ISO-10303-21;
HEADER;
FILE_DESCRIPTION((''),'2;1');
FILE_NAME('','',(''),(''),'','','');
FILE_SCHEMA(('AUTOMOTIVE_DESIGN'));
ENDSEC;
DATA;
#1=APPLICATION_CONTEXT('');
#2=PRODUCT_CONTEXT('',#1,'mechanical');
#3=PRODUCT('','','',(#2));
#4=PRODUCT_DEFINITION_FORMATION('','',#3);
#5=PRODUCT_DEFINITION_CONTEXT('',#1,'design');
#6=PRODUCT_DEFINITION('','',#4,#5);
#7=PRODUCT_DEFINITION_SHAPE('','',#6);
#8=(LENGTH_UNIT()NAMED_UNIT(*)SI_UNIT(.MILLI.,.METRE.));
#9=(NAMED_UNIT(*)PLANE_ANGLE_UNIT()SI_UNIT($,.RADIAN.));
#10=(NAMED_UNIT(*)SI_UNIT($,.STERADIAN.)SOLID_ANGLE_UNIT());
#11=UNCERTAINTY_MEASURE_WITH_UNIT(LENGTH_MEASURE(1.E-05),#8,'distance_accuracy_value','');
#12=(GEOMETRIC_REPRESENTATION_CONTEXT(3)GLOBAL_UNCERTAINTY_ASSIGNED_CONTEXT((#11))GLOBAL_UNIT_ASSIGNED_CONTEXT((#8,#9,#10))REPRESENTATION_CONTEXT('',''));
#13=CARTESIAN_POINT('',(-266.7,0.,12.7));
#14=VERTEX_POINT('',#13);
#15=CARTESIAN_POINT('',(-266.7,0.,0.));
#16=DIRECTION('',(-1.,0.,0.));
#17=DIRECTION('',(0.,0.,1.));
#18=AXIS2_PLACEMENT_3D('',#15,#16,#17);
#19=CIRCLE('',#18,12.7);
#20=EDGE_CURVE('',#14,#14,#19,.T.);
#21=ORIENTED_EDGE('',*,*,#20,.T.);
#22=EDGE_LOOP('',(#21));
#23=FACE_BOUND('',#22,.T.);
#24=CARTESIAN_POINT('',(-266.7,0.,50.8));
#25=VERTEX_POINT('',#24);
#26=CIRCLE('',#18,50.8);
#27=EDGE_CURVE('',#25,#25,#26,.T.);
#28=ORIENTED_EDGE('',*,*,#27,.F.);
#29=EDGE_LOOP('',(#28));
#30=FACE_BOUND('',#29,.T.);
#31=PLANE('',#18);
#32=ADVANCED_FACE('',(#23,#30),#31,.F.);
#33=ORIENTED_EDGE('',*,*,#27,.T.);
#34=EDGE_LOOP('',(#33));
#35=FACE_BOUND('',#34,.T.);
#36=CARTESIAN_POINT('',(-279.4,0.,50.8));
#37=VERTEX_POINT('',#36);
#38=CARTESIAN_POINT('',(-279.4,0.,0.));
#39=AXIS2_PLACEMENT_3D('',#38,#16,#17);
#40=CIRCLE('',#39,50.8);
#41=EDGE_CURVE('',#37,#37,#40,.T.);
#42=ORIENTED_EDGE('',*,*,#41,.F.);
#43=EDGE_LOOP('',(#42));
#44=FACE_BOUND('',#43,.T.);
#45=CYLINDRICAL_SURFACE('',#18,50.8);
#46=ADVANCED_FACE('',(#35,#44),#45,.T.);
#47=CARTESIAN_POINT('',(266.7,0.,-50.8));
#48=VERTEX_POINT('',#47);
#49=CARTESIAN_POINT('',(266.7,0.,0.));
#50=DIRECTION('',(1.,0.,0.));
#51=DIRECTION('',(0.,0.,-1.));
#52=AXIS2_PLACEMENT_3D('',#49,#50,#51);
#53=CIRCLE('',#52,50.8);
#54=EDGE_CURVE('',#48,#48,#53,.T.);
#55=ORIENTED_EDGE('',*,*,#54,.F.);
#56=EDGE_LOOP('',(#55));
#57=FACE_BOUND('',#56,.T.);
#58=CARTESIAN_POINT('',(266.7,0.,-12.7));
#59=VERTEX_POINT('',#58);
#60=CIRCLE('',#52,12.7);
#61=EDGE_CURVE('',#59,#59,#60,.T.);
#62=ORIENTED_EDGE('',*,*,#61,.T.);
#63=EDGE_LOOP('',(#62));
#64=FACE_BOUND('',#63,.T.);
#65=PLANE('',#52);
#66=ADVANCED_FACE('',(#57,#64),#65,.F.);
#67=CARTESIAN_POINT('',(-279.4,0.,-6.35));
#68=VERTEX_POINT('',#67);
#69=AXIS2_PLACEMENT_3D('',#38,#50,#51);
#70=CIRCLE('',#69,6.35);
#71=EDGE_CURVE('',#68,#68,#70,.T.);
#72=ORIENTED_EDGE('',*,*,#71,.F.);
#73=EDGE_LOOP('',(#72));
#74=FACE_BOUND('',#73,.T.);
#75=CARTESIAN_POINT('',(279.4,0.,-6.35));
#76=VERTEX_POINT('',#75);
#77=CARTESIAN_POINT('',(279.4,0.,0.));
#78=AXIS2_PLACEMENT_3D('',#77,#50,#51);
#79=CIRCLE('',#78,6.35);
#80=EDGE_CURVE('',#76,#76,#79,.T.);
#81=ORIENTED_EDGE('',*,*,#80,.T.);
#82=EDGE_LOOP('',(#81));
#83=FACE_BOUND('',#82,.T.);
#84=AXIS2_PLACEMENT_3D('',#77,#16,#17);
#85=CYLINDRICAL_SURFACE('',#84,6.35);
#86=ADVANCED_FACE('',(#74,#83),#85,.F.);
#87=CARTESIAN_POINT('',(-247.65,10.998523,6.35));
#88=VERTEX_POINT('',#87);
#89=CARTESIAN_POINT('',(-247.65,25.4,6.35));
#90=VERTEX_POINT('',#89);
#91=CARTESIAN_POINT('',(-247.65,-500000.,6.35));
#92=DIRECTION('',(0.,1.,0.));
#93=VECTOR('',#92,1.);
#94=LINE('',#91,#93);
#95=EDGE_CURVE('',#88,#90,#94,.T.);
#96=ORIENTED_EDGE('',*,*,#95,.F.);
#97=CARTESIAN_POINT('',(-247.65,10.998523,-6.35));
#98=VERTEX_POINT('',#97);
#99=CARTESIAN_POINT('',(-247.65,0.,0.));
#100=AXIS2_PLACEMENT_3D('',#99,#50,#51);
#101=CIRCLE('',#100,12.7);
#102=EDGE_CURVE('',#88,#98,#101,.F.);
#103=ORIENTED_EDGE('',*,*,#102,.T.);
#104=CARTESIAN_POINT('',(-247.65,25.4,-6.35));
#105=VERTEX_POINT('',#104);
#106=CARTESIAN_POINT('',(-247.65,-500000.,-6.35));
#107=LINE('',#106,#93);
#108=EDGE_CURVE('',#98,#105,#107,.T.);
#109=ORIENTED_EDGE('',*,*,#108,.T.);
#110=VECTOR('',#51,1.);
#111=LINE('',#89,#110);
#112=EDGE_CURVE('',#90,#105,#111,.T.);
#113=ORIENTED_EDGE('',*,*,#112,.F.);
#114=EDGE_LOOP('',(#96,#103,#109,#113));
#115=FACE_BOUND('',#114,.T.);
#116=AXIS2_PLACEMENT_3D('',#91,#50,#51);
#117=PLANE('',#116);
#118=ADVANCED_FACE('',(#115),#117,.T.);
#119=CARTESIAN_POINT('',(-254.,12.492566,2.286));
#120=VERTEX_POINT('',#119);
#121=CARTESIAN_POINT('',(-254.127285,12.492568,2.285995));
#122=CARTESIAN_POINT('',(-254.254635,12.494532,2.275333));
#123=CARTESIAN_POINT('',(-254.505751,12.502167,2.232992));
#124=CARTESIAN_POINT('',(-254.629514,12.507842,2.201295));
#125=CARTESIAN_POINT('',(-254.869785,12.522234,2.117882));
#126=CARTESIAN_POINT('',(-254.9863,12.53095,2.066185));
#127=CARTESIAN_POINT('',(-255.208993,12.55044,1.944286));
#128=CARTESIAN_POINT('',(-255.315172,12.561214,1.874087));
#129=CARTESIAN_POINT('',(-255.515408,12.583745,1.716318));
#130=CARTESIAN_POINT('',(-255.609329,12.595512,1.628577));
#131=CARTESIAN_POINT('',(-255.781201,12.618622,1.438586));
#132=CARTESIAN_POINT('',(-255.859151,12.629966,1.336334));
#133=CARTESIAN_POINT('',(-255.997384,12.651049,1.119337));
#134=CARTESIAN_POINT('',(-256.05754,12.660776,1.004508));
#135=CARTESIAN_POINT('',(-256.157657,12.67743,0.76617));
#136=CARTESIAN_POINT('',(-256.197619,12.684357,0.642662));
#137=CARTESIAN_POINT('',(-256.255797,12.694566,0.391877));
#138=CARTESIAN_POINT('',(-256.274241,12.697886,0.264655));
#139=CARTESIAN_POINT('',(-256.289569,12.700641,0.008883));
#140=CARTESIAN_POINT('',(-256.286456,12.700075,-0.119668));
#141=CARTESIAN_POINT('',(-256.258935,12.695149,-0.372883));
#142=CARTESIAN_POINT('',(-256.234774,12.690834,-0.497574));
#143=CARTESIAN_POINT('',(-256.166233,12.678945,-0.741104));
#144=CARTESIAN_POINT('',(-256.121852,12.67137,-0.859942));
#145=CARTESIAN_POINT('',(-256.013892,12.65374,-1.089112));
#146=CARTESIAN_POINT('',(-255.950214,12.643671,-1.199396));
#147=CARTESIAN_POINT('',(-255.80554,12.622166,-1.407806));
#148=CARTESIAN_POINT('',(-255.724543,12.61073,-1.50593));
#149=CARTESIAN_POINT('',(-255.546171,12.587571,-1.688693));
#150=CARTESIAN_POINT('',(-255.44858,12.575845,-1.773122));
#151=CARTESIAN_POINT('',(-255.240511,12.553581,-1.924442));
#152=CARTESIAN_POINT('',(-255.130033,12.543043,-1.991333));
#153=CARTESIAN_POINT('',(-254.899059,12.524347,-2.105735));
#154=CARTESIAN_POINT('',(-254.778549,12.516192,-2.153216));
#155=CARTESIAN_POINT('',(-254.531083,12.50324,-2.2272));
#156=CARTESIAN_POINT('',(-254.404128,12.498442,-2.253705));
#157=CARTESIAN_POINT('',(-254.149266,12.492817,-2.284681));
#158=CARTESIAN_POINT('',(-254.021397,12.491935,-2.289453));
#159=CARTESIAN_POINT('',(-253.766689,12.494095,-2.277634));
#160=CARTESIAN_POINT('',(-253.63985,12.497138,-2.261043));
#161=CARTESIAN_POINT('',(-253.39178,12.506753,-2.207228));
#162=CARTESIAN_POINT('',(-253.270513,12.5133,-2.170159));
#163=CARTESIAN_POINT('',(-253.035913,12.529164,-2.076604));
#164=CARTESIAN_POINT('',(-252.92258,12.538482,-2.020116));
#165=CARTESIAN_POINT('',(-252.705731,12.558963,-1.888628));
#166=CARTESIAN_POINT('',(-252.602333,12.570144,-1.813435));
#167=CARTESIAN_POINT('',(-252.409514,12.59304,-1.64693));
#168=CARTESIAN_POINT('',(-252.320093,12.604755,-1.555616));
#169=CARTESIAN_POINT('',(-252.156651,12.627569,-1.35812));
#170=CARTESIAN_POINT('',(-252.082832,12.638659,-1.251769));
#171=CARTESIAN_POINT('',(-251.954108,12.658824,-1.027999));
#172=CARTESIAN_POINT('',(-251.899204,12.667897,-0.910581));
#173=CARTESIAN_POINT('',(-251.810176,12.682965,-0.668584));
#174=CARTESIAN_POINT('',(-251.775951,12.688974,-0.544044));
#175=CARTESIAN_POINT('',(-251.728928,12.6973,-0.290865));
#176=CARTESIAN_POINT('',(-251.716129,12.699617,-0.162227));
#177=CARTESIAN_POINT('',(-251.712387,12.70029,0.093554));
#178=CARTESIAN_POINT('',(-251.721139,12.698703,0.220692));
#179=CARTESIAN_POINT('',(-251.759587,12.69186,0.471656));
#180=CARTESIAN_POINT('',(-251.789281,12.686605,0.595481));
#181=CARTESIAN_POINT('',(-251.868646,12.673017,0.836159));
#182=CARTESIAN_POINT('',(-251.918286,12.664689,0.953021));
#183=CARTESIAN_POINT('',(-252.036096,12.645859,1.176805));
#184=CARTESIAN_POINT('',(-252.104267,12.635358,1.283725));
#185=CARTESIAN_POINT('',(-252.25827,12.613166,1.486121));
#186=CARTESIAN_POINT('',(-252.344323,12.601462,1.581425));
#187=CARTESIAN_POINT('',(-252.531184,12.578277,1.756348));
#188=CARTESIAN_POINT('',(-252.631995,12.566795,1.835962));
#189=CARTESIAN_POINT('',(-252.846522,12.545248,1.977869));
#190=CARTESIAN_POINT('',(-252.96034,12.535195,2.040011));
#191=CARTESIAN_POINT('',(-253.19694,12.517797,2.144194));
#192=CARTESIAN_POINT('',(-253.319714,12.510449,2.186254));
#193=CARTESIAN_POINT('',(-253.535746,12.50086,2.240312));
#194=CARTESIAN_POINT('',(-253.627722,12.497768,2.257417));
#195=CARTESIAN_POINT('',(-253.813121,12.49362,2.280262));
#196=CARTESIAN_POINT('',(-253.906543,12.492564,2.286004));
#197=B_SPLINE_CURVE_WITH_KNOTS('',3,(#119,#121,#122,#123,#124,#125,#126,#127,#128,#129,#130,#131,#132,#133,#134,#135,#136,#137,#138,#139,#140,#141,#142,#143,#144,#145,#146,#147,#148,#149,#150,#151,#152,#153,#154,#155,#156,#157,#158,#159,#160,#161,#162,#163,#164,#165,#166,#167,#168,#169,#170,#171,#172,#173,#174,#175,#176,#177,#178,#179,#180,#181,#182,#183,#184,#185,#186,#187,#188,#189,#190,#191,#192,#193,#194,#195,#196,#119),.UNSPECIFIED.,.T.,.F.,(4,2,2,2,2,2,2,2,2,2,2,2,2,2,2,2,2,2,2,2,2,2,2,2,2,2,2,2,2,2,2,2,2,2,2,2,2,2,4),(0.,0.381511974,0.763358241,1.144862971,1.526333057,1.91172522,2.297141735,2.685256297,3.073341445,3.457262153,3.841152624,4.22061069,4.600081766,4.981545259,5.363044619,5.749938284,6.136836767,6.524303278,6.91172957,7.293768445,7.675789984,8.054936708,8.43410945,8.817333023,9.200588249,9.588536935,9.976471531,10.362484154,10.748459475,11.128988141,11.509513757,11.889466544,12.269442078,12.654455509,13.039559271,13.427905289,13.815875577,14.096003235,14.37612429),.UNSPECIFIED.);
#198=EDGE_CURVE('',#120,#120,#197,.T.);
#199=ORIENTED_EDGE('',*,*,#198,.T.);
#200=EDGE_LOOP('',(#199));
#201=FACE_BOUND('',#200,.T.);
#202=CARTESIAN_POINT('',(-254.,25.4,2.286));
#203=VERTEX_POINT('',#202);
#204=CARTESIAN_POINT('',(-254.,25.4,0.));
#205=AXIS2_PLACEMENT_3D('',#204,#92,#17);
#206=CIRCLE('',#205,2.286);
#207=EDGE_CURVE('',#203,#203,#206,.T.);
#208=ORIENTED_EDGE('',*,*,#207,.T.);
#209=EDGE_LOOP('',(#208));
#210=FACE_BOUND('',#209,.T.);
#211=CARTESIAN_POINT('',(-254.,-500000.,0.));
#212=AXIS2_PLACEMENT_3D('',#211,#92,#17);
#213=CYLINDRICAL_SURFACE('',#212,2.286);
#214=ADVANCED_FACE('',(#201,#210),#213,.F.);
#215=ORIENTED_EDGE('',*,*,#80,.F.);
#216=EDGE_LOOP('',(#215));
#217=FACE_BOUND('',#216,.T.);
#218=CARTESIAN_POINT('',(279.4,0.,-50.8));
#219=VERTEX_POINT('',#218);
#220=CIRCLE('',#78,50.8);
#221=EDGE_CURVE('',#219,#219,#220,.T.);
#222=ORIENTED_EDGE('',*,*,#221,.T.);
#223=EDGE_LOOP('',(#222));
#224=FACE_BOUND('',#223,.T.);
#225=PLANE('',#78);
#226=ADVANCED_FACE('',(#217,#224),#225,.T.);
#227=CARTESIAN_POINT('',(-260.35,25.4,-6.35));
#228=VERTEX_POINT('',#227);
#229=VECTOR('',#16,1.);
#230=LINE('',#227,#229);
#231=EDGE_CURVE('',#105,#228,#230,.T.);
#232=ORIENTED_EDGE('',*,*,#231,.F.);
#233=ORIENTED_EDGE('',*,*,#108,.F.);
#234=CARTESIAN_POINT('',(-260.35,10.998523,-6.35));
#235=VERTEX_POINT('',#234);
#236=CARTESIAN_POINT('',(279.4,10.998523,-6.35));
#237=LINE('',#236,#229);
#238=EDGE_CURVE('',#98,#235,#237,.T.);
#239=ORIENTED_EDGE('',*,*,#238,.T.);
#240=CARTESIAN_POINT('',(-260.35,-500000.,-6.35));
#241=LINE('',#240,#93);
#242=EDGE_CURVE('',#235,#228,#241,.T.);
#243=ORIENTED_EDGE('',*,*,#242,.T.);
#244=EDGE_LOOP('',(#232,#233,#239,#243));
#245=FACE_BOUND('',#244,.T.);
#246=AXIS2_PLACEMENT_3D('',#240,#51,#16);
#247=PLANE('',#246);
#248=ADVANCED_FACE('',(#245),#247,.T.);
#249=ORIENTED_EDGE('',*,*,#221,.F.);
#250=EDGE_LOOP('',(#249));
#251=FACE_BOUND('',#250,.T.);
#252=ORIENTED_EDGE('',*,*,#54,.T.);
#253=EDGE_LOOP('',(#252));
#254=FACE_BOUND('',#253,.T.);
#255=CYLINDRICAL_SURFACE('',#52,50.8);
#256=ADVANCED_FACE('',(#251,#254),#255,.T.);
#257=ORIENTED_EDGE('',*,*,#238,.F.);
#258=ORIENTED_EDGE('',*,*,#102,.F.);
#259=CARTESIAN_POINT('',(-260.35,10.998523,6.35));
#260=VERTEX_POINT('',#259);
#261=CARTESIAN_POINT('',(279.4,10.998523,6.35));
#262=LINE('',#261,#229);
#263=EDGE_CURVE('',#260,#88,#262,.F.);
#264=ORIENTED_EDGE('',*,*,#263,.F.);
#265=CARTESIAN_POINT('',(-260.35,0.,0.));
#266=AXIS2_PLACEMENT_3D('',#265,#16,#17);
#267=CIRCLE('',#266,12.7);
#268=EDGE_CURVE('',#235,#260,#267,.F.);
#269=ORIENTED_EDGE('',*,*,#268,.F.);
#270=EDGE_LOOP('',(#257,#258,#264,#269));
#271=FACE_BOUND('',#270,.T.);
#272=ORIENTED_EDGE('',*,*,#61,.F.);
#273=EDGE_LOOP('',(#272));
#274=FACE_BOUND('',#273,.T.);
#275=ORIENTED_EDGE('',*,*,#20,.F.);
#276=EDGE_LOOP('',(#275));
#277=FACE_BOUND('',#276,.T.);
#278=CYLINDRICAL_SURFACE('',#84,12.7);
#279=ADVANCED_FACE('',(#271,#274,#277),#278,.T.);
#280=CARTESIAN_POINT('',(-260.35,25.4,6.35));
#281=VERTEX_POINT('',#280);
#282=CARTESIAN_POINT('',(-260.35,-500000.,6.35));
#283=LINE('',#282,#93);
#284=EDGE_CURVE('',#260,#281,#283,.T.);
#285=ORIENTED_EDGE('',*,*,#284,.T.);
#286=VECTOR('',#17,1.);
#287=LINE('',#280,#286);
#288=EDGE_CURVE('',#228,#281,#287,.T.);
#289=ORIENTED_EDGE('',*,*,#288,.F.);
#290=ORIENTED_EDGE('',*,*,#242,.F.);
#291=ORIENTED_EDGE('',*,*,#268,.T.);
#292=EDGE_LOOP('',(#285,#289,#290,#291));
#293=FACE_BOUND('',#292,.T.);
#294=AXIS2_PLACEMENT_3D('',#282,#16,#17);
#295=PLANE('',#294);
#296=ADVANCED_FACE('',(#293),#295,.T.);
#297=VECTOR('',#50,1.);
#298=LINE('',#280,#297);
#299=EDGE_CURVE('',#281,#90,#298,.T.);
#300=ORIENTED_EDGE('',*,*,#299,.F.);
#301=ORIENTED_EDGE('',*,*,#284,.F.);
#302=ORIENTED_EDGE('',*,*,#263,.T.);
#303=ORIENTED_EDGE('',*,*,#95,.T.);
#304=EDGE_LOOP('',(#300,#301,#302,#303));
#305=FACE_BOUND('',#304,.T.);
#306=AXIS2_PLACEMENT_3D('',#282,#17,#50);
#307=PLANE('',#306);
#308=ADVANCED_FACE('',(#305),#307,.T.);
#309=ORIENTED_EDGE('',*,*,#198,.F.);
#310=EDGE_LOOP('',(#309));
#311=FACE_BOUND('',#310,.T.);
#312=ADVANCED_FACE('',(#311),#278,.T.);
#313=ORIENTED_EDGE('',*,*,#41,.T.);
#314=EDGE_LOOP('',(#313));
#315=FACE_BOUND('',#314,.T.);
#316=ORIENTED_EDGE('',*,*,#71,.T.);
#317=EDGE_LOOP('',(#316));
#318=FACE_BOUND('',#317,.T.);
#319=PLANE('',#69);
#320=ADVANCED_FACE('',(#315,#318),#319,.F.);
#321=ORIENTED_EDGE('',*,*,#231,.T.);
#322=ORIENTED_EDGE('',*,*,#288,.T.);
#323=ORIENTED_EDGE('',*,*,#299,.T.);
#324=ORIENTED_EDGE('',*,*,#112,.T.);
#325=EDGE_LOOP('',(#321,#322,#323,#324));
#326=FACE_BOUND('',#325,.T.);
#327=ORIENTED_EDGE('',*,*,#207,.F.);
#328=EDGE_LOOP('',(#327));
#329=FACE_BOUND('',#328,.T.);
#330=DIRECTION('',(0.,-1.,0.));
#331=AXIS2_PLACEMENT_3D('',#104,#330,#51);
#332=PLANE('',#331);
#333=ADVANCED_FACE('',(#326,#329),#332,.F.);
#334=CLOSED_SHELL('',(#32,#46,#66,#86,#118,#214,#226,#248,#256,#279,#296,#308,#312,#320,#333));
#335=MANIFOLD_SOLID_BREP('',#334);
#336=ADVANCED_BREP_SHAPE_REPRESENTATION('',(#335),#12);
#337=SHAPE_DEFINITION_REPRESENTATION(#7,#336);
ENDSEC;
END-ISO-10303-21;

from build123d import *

# Parameters (mm, degrees)
SKETCH1_R                = 12.7
SKETCH1_R_2              = 6.35
BOSS_EXTRUDE1_DEPTH      = 279.4
BOSS_EXTRUDE2_START      = -12.7
SKETCH2_R                = 50.8
SKETCH2_R_2              = 6.35
BOSS_EXTRUDE2_DEPTH      = 12.7
SKETCH3_R                = 50.8
SKETCH3_R_2              = 6.35
BOSS_EXTRUDE3_DEPTH      = 12.7
BOSS_EXTRUDE4_REACH      = 315.889
BOSS_EXTRUDE4_END_RADIUS = 12.7
BOSS_EXTRUDE4_START      = 25.4
SKETCH4_W                = 12.7
SKETCH4_H                = 12.7
SKETCH4_R                = 2.286


with BuildPart() as part:
    # Sketch1 → Boss-Extrude1 (new, symmetric)
    with BuildSketch(Plane(origin=(0, 0, 0), x_dir=(0, 0, -1), z_dir=(1, 0, 0))):
        Circle(SKETCH1_R)
        Circle(SKETCH1_R_2, mode=Mode.SUBTRACT)
    extrude(amount=BOSS_EXTRUDE1_DEPTH, both=True)

    # Sketch2 → Boss-Extrude2 (add)
    with BuildSketch(Plane(origin=(279.4, 0, 0), x_dir=(0, 0, -1), z_dir=(1, 0, 0)).offset(BOSS_EXTRUDE2_START)):
        Circle(SKETCH2_R)
        Circle(SKETCH2_R_2, mode=Mode.SUBTRACT)
    extrude(amount=BOSS_EXTRUDE2_DEPTH)

    # Sketch3 → Boss-Extrude3 (add)
    with BuildSketch(Plane.ZY.offset(279.4)):
        with Locations(Location((0, 0, 0), (0, 0, 180))):
            Circle(SKETCH3_R)
        with Locations(Location((0, 0, 0), (0, 0, 180))):
            Circle(SKETCH3_R_2, mode=Mode.SUBTRACT)
    extrude(amount=-BOSS_EXTRUDE3_DEPTH)

    # Boss-Extrude4: up to this cylinder (the profile starts outside it)
    boss_extrude4_end = Plane(origin=(-254, 0, 0), z_dir=(-1, 0, 0)) * Cylinder(BOSS_EXTRUDE4_END_RADIUS, 658.178, mode=Mode.PRIVATE)
    # Sketch4 → Boss-Extrude4 (add, up to the surface)
    with BuildSketch(Plane(origin=(0, 0, 0), x_dir=(1, 0, 0), z_dir=(0, 1, 0)).offset(BOSS_EXTRUDE4_START), mode=Mode.PRIVATE) as boss_extrude4_sk1:
        with Locations((-254, 0)):
            Rectangle(SKETCH4_W, SKETCH4_H)
        with Locations(Location((-254, 0, 0), (0, 0, 270))):
            Circle(SKETCH4_R, mode=Mode.SUBTRACT)
    boss_extrude4_tool1 = extrude(boss_extrude4_sk1.sketch, amount=-BOSS_EXTRUDE4_REACH, mode=Mode.PRIVATE) - boss_extrude4_end
    add(boss_extrude4_tool1.solids().sort_by_distance((-254, 25.4, 6.170395))[0])


solid = part.part
